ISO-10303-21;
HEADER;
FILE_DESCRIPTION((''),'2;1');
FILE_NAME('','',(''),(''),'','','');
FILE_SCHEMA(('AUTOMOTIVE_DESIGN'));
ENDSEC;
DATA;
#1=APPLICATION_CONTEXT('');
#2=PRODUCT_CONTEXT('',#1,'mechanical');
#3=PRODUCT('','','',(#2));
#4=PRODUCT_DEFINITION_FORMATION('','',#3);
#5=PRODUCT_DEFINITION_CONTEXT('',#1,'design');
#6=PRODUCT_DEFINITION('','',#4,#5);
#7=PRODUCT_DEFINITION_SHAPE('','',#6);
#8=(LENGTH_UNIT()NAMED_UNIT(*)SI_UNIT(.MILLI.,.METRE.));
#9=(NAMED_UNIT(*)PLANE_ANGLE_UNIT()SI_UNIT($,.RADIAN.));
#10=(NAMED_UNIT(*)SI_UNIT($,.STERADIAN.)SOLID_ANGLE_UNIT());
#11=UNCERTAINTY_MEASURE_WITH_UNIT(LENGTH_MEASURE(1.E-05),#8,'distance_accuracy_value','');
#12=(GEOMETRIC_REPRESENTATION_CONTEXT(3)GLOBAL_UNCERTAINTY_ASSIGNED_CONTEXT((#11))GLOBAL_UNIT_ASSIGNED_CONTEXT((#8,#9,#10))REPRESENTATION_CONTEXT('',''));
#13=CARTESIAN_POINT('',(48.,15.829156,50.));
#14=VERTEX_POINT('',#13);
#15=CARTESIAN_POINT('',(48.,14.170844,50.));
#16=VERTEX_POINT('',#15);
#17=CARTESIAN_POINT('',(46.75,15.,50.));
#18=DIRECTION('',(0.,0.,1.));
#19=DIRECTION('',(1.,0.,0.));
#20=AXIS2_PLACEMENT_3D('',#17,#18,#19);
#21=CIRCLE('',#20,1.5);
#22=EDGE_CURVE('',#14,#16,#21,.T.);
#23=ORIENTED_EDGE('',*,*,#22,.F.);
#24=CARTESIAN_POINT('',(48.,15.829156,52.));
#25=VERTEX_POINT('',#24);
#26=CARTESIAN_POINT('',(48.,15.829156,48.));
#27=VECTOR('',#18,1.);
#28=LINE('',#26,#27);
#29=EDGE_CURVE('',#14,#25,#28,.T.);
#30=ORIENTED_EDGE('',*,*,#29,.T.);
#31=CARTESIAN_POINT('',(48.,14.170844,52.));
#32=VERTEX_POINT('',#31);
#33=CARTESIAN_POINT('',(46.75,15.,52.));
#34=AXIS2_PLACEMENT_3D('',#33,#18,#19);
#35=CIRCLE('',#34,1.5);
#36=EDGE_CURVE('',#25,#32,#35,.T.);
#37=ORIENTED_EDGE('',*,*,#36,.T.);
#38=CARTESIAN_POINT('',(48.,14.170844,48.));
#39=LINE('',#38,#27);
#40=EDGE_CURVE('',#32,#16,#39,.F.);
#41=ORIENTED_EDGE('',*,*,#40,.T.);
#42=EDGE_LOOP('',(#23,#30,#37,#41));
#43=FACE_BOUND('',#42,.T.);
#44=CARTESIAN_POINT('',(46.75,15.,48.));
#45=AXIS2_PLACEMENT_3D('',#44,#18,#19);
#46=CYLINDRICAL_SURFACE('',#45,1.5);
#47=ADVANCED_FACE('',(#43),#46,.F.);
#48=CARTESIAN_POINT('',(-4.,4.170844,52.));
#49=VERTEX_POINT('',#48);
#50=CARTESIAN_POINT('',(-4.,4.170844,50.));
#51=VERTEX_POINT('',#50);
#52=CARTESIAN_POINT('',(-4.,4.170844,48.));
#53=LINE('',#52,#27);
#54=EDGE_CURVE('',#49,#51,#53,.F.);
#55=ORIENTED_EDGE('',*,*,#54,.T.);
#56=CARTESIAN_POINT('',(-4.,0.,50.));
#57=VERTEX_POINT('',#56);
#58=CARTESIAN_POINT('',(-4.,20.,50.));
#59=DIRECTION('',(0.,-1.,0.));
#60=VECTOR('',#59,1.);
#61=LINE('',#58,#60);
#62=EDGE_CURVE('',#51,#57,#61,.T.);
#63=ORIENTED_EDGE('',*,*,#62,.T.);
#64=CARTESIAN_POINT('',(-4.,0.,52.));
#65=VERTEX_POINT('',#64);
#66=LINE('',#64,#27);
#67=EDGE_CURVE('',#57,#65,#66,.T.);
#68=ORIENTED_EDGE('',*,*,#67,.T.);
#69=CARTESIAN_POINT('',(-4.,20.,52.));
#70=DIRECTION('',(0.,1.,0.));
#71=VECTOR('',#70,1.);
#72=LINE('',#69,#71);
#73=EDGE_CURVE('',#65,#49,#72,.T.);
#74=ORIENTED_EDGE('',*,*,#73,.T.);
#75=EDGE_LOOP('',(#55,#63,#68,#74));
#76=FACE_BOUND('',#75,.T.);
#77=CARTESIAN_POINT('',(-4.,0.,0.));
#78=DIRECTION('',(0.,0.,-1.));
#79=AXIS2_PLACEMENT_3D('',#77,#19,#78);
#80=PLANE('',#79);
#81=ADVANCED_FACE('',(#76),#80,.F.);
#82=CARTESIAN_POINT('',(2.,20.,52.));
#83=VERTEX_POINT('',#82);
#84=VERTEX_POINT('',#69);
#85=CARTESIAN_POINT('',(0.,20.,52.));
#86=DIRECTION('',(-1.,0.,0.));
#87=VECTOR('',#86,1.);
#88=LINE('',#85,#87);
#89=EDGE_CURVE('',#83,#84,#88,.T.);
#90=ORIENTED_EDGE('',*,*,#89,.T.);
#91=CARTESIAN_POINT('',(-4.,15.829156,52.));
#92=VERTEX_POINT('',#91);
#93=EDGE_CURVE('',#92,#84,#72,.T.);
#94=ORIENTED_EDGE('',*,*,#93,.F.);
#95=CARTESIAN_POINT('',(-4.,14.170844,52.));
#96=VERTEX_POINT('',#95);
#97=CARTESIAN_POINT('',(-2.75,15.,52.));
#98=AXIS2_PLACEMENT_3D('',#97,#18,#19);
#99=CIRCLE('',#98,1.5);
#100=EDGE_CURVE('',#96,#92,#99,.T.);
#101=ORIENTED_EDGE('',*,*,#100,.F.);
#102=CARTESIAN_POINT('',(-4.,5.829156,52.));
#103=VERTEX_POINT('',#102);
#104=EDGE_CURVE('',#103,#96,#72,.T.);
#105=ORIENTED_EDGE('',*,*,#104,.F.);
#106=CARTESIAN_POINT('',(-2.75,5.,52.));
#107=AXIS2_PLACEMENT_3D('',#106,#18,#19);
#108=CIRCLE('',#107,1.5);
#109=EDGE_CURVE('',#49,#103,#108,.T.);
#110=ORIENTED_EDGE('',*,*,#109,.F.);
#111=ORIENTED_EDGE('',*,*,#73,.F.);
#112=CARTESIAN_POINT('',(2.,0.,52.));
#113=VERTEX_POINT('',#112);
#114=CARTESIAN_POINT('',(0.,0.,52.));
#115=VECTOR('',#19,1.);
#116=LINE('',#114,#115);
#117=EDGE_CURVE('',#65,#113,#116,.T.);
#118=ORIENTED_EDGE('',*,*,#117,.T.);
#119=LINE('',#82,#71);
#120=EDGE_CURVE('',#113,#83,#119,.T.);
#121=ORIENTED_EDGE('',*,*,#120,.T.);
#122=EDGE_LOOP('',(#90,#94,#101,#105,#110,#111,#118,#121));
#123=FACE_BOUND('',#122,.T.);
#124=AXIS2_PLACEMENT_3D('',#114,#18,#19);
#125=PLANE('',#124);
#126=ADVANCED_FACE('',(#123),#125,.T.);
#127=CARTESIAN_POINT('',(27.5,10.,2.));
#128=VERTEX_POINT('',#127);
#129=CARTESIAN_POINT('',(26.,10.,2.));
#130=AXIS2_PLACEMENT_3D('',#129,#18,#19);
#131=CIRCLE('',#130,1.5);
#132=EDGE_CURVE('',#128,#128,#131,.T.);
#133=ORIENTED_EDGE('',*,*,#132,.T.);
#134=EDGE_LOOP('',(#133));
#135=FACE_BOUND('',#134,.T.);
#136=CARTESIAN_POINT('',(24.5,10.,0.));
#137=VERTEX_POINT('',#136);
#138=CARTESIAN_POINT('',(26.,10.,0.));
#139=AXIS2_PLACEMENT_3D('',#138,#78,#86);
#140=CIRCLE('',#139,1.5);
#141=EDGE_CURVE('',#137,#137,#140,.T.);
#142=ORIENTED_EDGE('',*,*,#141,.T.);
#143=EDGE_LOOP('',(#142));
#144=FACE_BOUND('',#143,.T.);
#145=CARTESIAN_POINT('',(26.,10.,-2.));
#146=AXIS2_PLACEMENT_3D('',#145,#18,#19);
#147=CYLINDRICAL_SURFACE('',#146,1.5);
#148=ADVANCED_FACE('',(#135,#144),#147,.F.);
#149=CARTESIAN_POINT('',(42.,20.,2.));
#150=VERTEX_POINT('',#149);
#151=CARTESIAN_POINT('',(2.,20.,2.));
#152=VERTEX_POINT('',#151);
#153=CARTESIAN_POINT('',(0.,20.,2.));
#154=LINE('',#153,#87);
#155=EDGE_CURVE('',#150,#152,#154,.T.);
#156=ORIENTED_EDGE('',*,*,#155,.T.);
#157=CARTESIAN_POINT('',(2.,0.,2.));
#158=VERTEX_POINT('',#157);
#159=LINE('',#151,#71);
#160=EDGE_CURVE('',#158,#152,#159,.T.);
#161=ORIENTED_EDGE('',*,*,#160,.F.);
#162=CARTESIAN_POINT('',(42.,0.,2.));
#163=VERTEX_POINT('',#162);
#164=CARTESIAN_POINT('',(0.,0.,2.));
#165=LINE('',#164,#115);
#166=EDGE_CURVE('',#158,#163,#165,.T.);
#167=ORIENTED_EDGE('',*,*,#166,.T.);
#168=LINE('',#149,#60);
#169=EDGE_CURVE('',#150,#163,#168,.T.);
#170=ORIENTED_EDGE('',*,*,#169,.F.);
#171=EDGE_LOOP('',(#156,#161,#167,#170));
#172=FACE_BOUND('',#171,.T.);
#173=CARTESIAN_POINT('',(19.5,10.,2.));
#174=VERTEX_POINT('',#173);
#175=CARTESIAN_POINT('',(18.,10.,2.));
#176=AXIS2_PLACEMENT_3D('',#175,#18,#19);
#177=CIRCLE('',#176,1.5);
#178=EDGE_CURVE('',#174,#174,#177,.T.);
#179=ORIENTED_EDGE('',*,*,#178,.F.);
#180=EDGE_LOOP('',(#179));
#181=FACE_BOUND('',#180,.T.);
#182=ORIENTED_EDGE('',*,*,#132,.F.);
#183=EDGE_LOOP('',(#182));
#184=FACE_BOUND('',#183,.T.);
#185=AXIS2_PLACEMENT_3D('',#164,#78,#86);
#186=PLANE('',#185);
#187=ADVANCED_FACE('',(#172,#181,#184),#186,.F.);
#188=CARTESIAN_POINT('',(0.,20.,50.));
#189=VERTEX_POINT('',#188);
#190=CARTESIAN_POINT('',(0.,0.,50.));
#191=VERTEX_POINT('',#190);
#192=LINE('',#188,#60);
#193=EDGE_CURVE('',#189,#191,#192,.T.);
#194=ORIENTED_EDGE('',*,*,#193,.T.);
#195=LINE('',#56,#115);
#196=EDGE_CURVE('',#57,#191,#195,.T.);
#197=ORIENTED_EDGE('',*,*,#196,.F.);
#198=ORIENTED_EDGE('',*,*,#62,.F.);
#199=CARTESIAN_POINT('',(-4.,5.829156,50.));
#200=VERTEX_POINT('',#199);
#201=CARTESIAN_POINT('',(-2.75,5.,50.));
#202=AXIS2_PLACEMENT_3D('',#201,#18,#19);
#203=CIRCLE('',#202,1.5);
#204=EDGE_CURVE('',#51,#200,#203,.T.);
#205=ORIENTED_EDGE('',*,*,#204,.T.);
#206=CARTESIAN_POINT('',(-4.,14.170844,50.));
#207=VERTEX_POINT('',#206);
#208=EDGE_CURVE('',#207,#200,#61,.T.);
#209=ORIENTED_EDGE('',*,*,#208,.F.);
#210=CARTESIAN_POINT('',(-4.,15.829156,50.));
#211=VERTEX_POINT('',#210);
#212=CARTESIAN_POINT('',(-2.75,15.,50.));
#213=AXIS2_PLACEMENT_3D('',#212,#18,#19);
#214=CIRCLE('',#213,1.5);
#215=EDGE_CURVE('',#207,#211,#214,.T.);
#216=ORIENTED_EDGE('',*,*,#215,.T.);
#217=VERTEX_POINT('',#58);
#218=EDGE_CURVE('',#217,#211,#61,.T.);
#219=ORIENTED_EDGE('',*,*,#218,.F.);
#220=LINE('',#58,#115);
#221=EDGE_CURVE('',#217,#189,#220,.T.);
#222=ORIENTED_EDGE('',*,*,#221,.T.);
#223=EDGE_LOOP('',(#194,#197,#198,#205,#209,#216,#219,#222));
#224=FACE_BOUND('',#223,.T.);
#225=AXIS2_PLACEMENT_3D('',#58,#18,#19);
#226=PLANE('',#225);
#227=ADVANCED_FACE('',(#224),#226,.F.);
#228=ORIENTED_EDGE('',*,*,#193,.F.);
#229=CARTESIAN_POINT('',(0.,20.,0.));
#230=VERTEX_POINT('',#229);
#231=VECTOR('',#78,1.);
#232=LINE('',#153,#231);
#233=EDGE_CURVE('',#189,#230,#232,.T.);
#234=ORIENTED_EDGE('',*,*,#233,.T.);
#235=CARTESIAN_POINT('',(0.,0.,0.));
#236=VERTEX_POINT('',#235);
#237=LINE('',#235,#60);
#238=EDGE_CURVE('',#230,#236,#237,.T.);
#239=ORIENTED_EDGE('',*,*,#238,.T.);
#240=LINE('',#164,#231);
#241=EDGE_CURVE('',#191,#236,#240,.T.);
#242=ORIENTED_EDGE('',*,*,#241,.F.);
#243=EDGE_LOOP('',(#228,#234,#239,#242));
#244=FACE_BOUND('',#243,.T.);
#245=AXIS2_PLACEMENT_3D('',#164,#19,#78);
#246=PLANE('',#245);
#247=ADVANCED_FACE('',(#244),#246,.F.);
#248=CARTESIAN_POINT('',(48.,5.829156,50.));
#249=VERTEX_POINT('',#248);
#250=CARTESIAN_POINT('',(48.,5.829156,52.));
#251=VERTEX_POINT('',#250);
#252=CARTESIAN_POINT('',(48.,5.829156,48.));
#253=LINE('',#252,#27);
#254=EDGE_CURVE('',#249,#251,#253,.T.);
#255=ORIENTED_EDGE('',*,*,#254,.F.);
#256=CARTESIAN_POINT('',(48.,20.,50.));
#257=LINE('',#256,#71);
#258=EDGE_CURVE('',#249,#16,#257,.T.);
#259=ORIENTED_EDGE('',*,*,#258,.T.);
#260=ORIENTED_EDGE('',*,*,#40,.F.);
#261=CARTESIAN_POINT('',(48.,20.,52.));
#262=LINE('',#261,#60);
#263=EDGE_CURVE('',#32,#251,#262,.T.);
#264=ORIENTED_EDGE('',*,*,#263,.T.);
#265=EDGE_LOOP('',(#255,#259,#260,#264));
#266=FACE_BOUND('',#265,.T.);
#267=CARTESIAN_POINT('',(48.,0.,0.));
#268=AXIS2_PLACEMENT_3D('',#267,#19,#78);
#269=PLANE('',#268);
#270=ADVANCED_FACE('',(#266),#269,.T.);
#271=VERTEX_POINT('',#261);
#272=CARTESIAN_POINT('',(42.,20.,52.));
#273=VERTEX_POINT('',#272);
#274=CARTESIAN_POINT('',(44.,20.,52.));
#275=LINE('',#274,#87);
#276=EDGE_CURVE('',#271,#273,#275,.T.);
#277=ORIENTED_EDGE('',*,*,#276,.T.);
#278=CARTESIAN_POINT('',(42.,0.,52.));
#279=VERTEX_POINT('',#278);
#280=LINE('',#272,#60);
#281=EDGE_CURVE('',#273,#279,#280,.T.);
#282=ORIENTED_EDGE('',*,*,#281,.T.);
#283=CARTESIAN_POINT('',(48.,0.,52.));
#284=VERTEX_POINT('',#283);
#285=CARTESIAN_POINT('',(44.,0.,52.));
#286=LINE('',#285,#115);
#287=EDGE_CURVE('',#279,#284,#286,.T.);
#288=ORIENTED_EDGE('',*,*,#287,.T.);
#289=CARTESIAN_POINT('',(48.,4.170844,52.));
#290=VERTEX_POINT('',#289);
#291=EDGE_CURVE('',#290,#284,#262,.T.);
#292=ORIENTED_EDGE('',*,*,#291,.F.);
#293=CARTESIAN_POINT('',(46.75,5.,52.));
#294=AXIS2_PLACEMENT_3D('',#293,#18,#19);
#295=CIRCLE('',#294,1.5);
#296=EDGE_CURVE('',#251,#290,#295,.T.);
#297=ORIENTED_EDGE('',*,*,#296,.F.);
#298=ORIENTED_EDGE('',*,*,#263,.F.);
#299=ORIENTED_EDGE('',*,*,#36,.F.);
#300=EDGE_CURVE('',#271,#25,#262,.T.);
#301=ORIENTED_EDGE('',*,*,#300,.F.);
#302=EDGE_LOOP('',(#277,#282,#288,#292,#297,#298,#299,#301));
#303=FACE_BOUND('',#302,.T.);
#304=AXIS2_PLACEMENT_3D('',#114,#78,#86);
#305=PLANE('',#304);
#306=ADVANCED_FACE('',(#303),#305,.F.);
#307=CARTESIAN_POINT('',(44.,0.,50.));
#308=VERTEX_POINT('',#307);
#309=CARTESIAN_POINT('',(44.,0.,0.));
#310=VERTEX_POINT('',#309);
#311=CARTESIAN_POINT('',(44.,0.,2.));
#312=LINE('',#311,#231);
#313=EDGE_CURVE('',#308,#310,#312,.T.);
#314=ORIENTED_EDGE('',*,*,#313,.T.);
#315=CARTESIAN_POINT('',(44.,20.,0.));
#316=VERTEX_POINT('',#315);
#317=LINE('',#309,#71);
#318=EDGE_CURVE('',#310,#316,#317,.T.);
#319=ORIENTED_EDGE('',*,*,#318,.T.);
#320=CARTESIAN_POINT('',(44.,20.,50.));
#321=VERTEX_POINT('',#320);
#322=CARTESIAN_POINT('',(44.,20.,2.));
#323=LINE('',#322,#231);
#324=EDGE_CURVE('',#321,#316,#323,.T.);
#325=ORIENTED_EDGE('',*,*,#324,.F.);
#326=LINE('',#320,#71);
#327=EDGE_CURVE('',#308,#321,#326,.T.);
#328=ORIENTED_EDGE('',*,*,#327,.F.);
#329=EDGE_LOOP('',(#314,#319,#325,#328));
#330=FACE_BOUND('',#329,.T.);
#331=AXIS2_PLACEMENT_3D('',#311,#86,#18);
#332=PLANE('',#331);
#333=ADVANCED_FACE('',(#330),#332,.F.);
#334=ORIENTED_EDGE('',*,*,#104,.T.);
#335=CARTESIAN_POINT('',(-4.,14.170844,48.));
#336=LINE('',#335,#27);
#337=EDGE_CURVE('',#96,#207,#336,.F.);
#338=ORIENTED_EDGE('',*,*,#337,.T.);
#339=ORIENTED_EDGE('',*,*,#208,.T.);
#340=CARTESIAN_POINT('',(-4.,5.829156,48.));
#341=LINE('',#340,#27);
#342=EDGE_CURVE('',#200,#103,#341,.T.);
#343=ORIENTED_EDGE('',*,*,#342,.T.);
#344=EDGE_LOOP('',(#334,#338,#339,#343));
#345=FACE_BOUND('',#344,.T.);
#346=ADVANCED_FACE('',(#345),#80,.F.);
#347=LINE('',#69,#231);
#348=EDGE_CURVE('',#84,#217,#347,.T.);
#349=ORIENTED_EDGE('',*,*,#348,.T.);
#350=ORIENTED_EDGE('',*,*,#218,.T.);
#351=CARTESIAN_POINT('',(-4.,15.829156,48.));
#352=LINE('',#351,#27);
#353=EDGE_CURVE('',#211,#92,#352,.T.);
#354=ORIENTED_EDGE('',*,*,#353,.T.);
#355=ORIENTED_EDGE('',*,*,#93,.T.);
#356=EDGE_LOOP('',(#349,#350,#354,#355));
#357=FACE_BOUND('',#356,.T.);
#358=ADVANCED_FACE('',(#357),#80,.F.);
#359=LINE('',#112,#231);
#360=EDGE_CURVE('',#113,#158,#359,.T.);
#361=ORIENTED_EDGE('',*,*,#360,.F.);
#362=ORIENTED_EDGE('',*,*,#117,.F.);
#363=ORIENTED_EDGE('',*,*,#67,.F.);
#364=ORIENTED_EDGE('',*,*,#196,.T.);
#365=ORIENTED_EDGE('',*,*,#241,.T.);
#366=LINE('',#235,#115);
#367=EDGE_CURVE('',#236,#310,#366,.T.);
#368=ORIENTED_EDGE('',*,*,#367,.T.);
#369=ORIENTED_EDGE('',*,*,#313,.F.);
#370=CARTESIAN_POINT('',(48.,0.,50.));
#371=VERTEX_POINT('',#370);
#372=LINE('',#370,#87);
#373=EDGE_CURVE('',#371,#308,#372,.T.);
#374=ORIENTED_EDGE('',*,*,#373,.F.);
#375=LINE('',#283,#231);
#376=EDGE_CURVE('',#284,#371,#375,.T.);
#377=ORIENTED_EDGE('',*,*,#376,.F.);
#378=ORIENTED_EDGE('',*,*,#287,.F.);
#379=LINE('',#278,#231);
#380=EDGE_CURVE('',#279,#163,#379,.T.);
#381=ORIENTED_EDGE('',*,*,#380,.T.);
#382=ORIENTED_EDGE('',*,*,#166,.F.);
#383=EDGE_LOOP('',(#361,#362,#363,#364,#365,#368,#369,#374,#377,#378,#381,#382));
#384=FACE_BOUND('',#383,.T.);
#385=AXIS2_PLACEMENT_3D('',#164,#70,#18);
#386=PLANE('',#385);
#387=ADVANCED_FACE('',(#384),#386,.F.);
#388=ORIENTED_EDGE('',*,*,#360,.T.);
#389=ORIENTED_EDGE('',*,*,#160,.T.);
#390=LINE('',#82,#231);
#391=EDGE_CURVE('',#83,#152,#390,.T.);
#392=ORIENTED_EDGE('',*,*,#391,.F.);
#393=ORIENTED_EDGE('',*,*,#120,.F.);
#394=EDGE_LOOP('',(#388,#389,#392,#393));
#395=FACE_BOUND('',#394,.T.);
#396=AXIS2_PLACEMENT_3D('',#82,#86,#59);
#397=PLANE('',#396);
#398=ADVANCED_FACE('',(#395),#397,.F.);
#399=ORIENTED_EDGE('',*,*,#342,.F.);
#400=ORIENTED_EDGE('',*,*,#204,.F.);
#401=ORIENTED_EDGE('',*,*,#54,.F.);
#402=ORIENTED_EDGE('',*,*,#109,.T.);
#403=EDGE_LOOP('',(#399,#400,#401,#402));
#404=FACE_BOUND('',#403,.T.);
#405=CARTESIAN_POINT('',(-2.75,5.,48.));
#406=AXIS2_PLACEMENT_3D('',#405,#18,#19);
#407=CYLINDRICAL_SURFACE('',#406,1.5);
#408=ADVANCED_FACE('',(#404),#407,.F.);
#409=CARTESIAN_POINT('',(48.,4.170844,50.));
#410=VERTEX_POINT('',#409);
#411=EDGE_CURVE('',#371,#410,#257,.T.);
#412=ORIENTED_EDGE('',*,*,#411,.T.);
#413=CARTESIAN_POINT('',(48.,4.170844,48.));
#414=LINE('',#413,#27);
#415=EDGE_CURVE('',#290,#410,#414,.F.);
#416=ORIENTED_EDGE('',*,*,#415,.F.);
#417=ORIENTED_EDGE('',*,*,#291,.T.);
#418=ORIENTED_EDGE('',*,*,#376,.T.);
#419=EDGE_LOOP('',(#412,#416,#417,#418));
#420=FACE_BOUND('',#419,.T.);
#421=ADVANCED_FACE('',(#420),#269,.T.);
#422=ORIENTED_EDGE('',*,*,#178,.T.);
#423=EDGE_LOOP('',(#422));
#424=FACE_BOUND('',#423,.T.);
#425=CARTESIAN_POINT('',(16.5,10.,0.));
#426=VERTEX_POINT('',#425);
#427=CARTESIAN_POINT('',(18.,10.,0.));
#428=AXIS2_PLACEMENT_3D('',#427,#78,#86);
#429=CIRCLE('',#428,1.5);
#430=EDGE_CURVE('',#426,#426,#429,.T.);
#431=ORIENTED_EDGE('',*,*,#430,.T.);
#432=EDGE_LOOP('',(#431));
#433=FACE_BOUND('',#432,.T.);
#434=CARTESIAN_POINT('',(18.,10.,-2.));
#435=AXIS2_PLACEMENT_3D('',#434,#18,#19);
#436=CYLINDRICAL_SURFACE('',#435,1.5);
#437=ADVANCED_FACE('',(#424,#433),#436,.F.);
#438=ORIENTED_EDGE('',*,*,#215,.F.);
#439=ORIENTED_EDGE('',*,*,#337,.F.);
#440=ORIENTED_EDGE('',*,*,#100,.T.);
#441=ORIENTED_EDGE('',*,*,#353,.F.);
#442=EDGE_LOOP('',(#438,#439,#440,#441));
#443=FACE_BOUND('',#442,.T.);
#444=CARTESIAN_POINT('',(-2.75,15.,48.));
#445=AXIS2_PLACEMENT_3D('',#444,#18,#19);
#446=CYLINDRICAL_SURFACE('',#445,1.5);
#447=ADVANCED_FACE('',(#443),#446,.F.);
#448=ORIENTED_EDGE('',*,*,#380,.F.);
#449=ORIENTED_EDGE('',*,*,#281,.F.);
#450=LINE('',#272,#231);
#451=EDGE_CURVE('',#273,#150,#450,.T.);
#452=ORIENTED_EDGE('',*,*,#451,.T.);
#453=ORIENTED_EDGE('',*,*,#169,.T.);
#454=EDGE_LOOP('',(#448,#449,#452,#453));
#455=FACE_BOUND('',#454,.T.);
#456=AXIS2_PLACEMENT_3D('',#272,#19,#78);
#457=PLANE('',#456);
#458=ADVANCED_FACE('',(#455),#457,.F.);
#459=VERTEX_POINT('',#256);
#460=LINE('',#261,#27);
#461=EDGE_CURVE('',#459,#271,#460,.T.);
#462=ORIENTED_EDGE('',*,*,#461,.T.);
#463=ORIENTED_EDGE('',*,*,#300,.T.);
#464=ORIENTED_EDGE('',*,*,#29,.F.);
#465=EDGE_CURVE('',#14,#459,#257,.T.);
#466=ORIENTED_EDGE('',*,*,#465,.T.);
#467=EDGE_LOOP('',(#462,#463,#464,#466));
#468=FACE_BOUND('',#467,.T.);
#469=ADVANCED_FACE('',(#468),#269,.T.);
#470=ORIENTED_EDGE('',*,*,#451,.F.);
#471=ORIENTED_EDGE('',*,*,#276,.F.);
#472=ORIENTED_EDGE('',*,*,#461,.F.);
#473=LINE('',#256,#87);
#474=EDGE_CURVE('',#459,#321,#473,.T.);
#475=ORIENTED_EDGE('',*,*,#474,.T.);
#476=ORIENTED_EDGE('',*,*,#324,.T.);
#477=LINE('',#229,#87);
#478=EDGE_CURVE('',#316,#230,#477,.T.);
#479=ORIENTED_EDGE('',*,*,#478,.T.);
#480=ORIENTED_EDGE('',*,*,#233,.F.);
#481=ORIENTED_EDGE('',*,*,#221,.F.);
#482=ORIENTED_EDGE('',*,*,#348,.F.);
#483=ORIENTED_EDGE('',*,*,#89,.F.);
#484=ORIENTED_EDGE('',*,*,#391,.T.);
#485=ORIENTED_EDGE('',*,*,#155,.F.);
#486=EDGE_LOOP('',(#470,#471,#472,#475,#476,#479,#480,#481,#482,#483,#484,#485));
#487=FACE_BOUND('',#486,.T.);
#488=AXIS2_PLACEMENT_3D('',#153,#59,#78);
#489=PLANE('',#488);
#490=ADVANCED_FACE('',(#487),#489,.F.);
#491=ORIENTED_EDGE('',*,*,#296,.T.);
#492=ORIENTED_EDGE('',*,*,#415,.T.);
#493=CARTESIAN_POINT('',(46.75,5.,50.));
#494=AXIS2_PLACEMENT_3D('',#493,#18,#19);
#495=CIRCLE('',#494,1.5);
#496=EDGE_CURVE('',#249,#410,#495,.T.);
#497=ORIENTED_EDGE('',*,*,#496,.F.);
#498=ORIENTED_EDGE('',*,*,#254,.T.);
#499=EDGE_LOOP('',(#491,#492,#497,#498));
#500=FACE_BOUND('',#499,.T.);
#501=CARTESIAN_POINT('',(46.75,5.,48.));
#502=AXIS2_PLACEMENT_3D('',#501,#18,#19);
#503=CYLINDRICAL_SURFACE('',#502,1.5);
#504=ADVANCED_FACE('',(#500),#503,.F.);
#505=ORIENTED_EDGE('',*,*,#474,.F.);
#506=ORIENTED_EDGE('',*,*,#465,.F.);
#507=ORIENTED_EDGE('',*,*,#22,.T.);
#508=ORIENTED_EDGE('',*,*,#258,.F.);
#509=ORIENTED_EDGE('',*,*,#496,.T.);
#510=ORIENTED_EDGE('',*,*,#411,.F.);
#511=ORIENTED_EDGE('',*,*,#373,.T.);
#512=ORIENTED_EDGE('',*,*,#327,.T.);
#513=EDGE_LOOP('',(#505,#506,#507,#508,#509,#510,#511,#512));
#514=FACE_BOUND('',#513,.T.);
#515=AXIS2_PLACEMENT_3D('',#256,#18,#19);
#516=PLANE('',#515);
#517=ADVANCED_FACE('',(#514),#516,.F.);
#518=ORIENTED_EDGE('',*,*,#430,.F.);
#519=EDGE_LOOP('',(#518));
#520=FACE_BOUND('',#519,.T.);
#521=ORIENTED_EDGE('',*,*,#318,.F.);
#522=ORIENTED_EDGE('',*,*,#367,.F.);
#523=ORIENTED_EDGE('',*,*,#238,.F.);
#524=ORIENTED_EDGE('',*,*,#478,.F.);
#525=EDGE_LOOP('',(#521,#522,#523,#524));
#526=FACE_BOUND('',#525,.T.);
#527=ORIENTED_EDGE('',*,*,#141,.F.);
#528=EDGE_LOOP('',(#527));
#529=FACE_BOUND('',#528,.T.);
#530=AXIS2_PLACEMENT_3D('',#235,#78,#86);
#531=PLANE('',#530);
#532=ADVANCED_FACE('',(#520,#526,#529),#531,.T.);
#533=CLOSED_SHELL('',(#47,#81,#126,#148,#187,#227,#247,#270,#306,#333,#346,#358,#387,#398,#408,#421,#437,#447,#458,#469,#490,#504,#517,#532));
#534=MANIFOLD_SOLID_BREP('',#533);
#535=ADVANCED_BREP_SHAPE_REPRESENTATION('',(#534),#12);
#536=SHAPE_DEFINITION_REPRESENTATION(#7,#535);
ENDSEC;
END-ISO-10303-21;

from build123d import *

# Parameters (mm, degrees)
ESQUISSE1_W             = 44
ESQUISSE1_H             = 20
BOSS_EXTRU_1_DEPTH      = 2
ESQUISSE2_W             = 2
ESQUISSE2_H             = 20
BOSS_EXTRU_2_DEPTH      = 50
ESQUISSE3_W             = 2
ESQUISSE3_H             = 20
BOSS_EXTRU_3_DEPTH      = 4
ESQUISSE4_W             = 2
ESQUISSE4_H             = 20
BOSS_EXTRU_4_DEPTH      = 4
ESQUISSE5_R             = 1.5
ENL_V_MAT_EXTRU_1_DEPTH = 4
ESQUISSE6_R             = 1.5
ENL_V_MAT_EXTRU_2_DEPTH = 4


with BuildPart() as part:
    # Esquisse1 → Boss.-Extru.1 (new body)
    with BuildSketch(Plane.XY):
        with Locations((22, 10)):
            Rectangle(ESQUISSE1_W, ESQUISSE1_H)
    extrude(amount=BOSS_EXTRU_1_DEPTH)

    # Esquisse2 → Boss.-Extru.2 (add)
    with BuildSketch(Plane.XY.offset(2)):
        with Locations((1, 10)):
            Rectangle(ESQUISSE2_W, ESQUISSE2_H)
        with Locations((43, 10)):
            Rectangle(ESQUISSE2_W, ESQUISSE2_H)
    extrude(amount=BOSS_EXTRU_2_DEPTH)

    # Esquisse3 → Boss.-Extru.3 (add)
    with BuildSketch(Plane.ZY):
        with Locations((51, 10)):
            Rectangle(ESQUISSE3_W, ESQUISSE3_H)
    extrude(amount=BOSS_EXTRU_3_DEPTH)

    # Esquisse4 → Boss.-Extru.4 (add)
    with BuildSketch(Plane(origin=(44, 0, 0), x_dir=(0, 0, -1), z_dir=(1, 0, 0))):
        with Locations((-51, 10)):
            Rectangle(ESQUISSE4_W, ESQUISSE4_H)
    extrude(amount=BOSS_EXTRU_4_DEPTH)

    # Esquisse5 → Enlèv. mat.-Extru.1 (cut)
    with BuildSketch(Plane.XY.offset(2)):
        with Locations((18, 10)):
            Circle(ESQUISSE5_R)
        with Locations((26, 10)):
            Circle(ESQUISSE5_R)
    extrude(amount=-ENL_V_MAT_EXTRU_1_DEPTH, mode=Mode.SUBTRACT)

    # Esquisse6 → Enlèv. mat.-Extru.2 (cut)
    with BuildSketch(Plane.XY.offset(52)):
        with Locations((46.75, 15)):
            Circle(ESQUISSE6_R)
        with Locations((46.75, 5)):
            Circle(ESQUISSE6_R)
        with Locations((-2.75, 15)):
            Circle(ESQUISSE6_R)
        with Locations((-2.75, 5)):
            Circle(ESQUISSE6_R)
    extrude(amount=-ENL_V_MAT_EXTRU_2_DEPTH, mode=Mode.SUBTRACT)


solid = part.part
